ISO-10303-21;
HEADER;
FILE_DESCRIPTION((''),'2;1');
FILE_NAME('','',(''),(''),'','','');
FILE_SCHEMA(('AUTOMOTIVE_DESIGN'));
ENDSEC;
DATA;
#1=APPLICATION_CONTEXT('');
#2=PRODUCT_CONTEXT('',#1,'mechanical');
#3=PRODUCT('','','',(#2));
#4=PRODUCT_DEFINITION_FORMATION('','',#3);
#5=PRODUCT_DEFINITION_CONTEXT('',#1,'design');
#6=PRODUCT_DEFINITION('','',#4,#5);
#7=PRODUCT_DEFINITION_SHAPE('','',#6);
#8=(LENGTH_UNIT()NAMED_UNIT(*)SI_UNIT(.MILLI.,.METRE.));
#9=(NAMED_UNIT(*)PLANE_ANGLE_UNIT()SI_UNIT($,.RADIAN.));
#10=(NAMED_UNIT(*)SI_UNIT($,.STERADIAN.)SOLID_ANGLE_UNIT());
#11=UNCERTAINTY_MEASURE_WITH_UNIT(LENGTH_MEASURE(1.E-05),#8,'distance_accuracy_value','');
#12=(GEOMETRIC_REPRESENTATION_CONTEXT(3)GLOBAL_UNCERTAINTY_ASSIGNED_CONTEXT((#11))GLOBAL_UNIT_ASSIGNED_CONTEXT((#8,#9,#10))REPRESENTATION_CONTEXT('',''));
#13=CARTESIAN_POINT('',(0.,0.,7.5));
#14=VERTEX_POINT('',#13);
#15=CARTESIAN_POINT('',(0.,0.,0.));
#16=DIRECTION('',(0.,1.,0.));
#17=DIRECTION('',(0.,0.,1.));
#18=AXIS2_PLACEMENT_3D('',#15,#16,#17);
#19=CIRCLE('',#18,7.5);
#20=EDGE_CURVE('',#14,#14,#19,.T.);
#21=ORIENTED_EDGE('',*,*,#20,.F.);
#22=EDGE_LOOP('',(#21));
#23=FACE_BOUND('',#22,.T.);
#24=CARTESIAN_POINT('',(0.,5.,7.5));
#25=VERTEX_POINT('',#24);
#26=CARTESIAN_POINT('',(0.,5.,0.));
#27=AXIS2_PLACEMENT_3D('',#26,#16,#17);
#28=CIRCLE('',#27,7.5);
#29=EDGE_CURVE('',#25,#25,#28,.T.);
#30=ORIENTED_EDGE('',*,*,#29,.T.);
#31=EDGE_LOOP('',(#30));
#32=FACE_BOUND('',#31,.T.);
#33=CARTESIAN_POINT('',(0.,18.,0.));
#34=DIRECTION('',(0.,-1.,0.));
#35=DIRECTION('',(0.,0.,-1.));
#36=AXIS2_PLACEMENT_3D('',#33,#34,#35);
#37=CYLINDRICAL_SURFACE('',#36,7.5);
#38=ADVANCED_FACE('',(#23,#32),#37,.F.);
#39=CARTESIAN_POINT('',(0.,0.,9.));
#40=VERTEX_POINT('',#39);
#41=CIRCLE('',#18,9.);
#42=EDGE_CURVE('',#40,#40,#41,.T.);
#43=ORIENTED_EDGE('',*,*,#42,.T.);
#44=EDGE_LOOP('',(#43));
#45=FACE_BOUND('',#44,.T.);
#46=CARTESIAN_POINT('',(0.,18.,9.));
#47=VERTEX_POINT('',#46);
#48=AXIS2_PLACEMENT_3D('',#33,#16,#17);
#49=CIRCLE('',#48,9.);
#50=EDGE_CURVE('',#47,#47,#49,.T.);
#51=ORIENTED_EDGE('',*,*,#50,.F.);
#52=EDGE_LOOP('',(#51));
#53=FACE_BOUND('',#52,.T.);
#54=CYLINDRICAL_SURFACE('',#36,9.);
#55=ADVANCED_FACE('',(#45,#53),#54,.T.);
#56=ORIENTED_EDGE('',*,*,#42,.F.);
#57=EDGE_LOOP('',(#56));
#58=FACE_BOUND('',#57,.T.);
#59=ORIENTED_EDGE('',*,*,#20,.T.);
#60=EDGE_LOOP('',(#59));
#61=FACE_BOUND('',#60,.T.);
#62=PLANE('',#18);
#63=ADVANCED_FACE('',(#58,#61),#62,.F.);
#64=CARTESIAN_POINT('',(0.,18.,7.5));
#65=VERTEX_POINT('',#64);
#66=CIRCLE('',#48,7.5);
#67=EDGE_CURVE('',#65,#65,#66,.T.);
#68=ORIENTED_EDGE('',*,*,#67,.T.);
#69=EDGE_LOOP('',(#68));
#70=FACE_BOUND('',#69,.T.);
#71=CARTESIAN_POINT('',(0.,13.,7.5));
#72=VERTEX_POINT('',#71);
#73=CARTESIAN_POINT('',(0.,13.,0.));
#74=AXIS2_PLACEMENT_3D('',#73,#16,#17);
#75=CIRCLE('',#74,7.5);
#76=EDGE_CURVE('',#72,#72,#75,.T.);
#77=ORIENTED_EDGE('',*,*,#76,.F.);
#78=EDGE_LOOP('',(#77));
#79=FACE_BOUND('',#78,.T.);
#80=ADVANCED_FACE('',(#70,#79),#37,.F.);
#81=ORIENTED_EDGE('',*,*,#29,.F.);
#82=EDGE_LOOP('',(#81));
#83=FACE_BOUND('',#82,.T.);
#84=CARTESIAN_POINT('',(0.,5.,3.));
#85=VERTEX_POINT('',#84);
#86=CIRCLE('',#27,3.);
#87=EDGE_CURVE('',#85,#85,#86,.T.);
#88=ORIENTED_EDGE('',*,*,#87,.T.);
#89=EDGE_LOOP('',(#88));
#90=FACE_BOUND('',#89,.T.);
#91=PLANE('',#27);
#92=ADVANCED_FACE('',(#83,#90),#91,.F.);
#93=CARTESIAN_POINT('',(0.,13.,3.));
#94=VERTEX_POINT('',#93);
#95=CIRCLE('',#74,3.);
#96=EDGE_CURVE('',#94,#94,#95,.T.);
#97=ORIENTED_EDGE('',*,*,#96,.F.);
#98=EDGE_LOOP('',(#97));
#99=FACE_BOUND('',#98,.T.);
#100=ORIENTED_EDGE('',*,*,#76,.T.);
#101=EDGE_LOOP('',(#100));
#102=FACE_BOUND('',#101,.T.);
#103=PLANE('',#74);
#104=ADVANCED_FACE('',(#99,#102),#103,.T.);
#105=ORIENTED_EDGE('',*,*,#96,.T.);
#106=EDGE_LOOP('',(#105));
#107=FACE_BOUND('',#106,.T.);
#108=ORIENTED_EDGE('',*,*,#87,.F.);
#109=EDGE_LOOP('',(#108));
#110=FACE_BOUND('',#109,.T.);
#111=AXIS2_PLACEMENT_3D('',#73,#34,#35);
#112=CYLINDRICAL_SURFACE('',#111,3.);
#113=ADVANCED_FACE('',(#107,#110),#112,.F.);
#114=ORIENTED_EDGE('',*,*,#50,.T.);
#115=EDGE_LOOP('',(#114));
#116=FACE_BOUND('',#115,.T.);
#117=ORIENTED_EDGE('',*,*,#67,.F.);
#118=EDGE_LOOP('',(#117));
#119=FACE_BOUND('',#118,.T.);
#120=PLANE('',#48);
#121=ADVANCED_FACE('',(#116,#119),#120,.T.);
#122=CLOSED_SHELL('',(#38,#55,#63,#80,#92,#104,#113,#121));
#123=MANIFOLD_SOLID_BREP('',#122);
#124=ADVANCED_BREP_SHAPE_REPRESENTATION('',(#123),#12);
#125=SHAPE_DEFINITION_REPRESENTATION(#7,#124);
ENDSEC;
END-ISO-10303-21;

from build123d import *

# Parameters (mm, degrees)
SKETCH1_R           = 9
SKETCH1_R_2         = 7.5
BOSS_EXTRUDE1_DEPTH = 18
SKETCH2_R           = 7.5
SKETCH2_R_2         = 3
BOSS_EXTRUDE2_DEPTH = 4


with BuildPart() as part:
    # Sketch1 → Boss-Extrude1 (new body)
    with BuildSketch(Plane(origin=(0, 0, 0), x_dir=(1, 0, 0), z_dir=(0, 1, 0))):
        with Locations(Location((0, 0, 0), (0, 0, 270))):
            Circle(SKETCH1_R)
        with Locations(Location((0, 0, 0), (0, 0, 270))):
            Circle(SKETCH1_R_2, mode=Mode.SUBTRACT)
    extrude(amount=BOSS_EXTRUDE1_DEPTH)

    # Sketch2 → Boss-Extrude2 (add, symmetric)
    with BuildSketch(Plane(origin=(0, 9, 0), x_dir=(1, 0, 0), z_dir=(0, 1, 0))):
        with Locations(Location((0, 0, 0), (0, 0, 270))):
            Circle(SKETCH2_R)
        with Locations(Location((0, 0, 0), (0, 0, 270))):
            Circle(SKETCH2_R_2, mode=Mode.SUBTRACT)
    extrude(amount=BOSS_EXTRUDE2_DEPTH, both=True)


solid = part.part
